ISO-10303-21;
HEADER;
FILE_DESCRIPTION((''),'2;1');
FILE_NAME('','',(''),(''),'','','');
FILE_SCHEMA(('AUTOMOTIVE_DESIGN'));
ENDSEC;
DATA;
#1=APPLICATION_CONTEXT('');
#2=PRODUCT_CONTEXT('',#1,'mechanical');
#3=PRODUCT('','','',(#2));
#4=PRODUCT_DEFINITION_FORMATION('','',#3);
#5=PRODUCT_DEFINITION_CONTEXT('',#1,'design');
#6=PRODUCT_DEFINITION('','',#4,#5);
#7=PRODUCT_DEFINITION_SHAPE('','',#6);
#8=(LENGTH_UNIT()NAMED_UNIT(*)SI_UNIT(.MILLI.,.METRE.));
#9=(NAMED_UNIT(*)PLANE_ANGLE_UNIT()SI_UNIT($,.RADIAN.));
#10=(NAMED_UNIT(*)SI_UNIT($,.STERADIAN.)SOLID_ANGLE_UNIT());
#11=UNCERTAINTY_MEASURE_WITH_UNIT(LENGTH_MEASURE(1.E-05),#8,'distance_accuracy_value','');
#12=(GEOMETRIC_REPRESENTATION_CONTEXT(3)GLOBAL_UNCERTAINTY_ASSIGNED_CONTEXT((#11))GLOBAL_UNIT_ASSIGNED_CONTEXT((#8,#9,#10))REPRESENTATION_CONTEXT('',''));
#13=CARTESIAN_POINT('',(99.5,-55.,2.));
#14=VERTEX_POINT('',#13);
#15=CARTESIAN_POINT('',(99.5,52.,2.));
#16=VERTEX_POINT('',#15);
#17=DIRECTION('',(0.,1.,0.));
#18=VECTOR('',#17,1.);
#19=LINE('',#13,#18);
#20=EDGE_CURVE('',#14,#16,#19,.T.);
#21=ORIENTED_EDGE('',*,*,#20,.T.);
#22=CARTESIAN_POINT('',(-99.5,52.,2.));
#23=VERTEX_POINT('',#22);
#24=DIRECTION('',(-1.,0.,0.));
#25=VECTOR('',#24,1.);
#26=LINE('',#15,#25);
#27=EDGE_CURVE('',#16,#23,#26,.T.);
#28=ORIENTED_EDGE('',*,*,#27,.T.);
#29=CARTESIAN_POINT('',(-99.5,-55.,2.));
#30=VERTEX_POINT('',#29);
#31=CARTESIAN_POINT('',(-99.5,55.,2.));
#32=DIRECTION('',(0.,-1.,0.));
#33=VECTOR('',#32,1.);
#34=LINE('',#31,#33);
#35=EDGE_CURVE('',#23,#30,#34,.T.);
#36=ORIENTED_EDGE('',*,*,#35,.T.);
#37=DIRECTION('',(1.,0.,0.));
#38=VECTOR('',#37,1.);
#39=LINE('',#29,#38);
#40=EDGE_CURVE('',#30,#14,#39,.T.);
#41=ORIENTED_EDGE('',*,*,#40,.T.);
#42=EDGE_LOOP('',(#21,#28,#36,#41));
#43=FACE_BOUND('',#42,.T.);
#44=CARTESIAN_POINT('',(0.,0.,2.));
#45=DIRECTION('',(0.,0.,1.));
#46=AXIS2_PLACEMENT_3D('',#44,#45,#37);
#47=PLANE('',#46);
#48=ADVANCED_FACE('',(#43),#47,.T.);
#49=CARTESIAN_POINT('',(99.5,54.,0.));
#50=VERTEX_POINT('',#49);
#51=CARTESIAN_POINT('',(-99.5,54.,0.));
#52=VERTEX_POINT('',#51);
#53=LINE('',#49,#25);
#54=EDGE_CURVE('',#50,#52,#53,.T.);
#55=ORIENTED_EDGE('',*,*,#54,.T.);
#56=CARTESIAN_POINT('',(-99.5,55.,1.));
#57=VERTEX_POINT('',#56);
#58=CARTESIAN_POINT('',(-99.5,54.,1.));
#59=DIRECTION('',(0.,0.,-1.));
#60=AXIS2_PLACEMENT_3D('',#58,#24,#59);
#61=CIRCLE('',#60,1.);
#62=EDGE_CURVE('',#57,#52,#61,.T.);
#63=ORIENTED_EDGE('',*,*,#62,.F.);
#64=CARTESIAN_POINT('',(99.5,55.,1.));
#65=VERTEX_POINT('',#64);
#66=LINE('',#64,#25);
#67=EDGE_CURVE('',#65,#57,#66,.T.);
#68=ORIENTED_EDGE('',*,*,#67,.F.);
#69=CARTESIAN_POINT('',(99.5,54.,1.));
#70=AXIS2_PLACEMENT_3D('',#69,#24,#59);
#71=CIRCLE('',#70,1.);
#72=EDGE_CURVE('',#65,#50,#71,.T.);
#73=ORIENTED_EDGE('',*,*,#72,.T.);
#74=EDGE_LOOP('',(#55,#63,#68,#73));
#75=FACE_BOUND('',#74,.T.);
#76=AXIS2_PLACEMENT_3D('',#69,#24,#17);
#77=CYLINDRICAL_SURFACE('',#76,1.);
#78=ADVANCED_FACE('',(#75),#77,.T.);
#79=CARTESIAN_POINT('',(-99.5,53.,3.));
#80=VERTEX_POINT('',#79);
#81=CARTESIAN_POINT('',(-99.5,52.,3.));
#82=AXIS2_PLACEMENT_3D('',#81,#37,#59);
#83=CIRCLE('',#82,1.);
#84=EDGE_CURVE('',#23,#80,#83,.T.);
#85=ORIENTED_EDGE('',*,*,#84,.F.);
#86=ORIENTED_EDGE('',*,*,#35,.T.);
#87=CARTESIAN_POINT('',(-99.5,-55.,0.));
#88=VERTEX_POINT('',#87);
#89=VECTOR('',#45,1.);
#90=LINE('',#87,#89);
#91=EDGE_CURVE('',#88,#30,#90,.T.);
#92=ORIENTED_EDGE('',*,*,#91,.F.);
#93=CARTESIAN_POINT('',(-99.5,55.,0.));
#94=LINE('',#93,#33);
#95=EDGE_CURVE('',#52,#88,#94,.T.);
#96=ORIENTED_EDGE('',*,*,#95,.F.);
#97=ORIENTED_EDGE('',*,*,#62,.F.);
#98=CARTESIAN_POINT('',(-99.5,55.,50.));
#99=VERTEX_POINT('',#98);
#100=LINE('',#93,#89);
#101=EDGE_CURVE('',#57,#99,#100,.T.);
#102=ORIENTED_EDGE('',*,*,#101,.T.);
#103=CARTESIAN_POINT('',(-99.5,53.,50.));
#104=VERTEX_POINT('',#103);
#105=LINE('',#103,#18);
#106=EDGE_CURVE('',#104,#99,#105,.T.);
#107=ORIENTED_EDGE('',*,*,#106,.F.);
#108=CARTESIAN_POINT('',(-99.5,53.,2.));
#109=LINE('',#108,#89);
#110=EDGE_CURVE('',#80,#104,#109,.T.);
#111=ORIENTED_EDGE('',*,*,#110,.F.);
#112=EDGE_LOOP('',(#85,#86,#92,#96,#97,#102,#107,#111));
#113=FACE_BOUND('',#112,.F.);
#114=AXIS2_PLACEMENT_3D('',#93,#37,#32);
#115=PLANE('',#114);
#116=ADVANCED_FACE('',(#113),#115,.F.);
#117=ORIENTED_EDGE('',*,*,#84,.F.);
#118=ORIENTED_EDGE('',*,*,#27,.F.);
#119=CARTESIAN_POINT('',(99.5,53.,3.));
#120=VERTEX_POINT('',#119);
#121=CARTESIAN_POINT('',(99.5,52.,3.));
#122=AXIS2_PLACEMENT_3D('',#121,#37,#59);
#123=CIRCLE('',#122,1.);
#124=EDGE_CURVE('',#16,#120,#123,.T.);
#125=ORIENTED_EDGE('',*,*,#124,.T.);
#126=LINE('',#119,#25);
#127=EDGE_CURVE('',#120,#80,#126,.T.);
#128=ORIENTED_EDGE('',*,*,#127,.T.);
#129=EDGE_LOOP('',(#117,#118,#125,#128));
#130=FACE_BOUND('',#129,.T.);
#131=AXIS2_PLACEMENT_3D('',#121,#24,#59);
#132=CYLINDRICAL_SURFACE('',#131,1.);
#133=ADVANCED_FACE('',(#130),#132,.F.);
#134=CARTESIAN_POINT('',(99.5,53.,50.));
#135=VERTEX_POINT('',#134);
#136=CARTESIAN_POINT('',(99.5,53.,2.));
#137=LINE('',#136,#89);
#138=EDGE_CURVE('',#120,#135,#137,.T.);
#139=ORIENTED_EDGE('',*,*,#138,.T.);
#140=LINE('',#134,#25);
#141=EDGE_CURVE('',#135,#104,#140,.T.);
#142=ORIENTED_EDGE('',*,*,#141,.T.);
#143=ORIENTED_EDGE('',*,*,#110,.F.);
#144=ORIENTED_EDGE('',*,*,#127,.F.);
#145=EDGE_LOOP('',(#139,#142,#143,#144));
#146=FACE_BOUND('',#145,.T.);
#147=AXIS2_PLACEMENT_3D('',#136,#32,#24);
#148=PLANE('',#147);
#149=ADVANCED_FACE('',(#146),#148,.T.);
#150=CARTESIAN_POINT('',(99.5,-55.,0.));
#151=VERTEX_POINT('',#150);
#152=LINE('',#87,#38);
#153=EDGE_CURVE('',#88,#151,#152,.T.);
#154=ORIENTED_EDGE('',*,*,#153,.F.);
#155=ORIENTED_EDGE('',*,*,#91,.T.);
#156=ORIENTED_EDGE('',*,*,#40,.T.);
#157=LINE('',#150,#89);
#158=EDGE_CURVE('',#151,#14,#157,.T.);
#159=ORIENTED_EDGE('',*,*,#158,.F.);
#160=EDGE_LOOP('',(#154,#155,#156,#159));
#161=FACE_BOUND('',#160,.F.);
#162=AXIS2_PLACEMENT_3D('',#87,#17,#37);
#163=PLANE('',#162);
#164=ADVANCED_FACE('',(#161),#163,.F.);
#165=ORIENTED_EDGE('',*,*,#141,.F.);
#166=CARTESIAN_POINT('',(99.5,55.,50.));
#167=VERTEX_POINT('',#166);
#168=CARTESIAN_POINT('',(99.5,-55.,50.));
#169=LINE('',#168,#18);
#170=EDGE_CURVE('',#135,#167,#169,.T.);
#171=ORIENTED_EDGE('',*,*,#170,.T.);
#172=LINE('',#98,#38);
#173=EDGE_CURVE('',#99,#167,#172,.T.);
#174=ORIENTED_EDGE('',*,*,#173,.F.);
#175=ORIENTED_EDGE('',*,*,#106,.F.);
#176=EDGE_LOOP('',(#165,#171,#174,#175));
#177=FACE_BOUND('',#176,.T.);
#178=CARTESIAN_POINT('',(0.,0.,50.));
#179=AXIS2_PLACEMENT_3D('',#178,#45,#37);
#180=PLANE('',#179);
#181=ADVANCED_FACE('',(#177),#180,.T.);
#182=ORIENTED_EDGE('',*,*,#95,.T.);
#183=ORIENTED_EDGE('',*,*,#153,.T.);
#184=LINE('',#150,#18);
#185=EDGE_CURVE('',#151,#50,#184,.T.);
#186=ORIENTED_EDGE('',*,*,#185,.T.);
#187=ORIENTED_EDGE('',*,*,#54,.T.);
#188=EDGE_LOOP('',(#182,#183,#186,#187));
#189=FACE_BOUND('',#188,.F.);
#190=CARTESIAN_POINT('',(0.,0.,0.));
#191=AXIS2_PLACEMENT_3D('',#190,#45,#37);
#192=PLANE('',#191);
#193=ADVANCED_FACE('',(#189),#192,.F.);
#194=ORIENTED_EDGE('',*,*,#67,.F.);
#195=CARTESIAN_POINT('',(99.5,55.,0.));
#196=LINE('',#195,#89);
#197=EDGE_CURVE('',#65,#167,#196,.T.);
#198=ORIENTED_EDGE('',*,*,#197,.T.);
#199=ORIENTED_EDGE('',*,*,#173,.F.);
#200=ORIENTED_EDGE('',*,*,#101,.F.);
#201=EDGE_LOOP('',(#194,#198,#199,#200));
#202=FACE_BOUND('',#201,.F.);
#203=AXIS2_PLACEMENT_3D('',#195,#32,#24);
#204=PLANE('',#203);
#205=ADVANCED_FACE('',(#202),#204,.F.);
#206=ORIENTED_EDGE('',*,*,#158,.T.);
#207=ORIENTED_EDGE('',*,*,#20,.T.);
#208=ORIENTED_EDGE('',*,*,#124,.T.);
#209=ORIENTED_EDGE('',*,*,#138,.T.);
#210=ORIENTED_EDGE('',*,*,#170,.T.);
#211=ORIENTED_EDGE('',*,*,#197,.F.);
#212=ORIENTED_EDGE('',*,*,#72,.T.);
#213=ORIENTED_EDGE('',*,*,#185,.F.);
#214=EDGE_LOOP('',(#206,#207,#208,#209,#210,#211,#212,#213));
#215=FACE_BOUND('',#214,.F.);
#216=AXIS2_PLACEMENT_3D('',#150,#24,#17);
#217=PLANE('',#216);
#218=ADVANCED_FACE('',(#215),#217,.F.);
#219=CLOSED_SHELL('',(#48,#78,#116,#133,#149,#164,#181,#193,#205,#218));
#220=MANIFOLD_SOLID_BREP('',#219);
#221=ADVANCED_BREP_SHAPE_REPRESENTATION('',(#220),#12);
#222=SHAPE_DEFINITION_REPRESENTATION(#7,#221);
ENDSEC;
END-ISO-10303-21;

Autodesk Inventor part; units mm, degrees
ref_plane "YZ Plane" through (0, 0, 0) normal (1, 0, 0) x (0, 1, 0)
ref_plane "XZ Plane" through (0, 0, 0) normal (0, 1, 0) x (-1, 0, 0)
ref_plane "XY Plane" through (0, 0, 0) normal (0, 0, 1) x (1, 0, 0)
sketch "Sketch2" plane through (0, 0, 0) normal (0, 0, 1) x (1, 0, 0)
  line L0 (99.5, 55) -> (-99.5, 55)
  line L1 (-99.5, 55) -> (-99.5, -55)
  line L2 (-99.5, -55) -> (99.5, -55)
  line L3 (99.5, -55) -> (99.5, 55)
  line L4 (99.5, 55) -> (-99.5, -55) construction
  line L5 (-99.5, 55) -> (99.5, -55) construction
  point P0 (0, 0)
  dimension "d4" = 199
  dimension "d5" = 110
extrude "Extrusion2" add sketch "Sketch2" along normal blind 2
sketch "Sketch3" plane through (0, 0, 2) normal (0, 0, 1) x (1, 0, 0)
  line L0 (99.5, -55) -> (99.5, 55) projected
  line L1 (-99.5, 55) -> (99.5, 55)
  line L2 (99.5, 55) -> (99.5, 53)
  line L3 (99.5, 53) -> (-99.5, 53)
  line L4 (-99.5, 53) -> (-99.5, 55)
  point P0 (0, 0)
  dimension "d8" = 2
extrude "Extrusion3" add sketch "Sketch3" along normal blind 48
fillet "Fillet1" radius 1 2 edges at (0, 55, 0) (0, 53, 2)
properties part number "supply base"
